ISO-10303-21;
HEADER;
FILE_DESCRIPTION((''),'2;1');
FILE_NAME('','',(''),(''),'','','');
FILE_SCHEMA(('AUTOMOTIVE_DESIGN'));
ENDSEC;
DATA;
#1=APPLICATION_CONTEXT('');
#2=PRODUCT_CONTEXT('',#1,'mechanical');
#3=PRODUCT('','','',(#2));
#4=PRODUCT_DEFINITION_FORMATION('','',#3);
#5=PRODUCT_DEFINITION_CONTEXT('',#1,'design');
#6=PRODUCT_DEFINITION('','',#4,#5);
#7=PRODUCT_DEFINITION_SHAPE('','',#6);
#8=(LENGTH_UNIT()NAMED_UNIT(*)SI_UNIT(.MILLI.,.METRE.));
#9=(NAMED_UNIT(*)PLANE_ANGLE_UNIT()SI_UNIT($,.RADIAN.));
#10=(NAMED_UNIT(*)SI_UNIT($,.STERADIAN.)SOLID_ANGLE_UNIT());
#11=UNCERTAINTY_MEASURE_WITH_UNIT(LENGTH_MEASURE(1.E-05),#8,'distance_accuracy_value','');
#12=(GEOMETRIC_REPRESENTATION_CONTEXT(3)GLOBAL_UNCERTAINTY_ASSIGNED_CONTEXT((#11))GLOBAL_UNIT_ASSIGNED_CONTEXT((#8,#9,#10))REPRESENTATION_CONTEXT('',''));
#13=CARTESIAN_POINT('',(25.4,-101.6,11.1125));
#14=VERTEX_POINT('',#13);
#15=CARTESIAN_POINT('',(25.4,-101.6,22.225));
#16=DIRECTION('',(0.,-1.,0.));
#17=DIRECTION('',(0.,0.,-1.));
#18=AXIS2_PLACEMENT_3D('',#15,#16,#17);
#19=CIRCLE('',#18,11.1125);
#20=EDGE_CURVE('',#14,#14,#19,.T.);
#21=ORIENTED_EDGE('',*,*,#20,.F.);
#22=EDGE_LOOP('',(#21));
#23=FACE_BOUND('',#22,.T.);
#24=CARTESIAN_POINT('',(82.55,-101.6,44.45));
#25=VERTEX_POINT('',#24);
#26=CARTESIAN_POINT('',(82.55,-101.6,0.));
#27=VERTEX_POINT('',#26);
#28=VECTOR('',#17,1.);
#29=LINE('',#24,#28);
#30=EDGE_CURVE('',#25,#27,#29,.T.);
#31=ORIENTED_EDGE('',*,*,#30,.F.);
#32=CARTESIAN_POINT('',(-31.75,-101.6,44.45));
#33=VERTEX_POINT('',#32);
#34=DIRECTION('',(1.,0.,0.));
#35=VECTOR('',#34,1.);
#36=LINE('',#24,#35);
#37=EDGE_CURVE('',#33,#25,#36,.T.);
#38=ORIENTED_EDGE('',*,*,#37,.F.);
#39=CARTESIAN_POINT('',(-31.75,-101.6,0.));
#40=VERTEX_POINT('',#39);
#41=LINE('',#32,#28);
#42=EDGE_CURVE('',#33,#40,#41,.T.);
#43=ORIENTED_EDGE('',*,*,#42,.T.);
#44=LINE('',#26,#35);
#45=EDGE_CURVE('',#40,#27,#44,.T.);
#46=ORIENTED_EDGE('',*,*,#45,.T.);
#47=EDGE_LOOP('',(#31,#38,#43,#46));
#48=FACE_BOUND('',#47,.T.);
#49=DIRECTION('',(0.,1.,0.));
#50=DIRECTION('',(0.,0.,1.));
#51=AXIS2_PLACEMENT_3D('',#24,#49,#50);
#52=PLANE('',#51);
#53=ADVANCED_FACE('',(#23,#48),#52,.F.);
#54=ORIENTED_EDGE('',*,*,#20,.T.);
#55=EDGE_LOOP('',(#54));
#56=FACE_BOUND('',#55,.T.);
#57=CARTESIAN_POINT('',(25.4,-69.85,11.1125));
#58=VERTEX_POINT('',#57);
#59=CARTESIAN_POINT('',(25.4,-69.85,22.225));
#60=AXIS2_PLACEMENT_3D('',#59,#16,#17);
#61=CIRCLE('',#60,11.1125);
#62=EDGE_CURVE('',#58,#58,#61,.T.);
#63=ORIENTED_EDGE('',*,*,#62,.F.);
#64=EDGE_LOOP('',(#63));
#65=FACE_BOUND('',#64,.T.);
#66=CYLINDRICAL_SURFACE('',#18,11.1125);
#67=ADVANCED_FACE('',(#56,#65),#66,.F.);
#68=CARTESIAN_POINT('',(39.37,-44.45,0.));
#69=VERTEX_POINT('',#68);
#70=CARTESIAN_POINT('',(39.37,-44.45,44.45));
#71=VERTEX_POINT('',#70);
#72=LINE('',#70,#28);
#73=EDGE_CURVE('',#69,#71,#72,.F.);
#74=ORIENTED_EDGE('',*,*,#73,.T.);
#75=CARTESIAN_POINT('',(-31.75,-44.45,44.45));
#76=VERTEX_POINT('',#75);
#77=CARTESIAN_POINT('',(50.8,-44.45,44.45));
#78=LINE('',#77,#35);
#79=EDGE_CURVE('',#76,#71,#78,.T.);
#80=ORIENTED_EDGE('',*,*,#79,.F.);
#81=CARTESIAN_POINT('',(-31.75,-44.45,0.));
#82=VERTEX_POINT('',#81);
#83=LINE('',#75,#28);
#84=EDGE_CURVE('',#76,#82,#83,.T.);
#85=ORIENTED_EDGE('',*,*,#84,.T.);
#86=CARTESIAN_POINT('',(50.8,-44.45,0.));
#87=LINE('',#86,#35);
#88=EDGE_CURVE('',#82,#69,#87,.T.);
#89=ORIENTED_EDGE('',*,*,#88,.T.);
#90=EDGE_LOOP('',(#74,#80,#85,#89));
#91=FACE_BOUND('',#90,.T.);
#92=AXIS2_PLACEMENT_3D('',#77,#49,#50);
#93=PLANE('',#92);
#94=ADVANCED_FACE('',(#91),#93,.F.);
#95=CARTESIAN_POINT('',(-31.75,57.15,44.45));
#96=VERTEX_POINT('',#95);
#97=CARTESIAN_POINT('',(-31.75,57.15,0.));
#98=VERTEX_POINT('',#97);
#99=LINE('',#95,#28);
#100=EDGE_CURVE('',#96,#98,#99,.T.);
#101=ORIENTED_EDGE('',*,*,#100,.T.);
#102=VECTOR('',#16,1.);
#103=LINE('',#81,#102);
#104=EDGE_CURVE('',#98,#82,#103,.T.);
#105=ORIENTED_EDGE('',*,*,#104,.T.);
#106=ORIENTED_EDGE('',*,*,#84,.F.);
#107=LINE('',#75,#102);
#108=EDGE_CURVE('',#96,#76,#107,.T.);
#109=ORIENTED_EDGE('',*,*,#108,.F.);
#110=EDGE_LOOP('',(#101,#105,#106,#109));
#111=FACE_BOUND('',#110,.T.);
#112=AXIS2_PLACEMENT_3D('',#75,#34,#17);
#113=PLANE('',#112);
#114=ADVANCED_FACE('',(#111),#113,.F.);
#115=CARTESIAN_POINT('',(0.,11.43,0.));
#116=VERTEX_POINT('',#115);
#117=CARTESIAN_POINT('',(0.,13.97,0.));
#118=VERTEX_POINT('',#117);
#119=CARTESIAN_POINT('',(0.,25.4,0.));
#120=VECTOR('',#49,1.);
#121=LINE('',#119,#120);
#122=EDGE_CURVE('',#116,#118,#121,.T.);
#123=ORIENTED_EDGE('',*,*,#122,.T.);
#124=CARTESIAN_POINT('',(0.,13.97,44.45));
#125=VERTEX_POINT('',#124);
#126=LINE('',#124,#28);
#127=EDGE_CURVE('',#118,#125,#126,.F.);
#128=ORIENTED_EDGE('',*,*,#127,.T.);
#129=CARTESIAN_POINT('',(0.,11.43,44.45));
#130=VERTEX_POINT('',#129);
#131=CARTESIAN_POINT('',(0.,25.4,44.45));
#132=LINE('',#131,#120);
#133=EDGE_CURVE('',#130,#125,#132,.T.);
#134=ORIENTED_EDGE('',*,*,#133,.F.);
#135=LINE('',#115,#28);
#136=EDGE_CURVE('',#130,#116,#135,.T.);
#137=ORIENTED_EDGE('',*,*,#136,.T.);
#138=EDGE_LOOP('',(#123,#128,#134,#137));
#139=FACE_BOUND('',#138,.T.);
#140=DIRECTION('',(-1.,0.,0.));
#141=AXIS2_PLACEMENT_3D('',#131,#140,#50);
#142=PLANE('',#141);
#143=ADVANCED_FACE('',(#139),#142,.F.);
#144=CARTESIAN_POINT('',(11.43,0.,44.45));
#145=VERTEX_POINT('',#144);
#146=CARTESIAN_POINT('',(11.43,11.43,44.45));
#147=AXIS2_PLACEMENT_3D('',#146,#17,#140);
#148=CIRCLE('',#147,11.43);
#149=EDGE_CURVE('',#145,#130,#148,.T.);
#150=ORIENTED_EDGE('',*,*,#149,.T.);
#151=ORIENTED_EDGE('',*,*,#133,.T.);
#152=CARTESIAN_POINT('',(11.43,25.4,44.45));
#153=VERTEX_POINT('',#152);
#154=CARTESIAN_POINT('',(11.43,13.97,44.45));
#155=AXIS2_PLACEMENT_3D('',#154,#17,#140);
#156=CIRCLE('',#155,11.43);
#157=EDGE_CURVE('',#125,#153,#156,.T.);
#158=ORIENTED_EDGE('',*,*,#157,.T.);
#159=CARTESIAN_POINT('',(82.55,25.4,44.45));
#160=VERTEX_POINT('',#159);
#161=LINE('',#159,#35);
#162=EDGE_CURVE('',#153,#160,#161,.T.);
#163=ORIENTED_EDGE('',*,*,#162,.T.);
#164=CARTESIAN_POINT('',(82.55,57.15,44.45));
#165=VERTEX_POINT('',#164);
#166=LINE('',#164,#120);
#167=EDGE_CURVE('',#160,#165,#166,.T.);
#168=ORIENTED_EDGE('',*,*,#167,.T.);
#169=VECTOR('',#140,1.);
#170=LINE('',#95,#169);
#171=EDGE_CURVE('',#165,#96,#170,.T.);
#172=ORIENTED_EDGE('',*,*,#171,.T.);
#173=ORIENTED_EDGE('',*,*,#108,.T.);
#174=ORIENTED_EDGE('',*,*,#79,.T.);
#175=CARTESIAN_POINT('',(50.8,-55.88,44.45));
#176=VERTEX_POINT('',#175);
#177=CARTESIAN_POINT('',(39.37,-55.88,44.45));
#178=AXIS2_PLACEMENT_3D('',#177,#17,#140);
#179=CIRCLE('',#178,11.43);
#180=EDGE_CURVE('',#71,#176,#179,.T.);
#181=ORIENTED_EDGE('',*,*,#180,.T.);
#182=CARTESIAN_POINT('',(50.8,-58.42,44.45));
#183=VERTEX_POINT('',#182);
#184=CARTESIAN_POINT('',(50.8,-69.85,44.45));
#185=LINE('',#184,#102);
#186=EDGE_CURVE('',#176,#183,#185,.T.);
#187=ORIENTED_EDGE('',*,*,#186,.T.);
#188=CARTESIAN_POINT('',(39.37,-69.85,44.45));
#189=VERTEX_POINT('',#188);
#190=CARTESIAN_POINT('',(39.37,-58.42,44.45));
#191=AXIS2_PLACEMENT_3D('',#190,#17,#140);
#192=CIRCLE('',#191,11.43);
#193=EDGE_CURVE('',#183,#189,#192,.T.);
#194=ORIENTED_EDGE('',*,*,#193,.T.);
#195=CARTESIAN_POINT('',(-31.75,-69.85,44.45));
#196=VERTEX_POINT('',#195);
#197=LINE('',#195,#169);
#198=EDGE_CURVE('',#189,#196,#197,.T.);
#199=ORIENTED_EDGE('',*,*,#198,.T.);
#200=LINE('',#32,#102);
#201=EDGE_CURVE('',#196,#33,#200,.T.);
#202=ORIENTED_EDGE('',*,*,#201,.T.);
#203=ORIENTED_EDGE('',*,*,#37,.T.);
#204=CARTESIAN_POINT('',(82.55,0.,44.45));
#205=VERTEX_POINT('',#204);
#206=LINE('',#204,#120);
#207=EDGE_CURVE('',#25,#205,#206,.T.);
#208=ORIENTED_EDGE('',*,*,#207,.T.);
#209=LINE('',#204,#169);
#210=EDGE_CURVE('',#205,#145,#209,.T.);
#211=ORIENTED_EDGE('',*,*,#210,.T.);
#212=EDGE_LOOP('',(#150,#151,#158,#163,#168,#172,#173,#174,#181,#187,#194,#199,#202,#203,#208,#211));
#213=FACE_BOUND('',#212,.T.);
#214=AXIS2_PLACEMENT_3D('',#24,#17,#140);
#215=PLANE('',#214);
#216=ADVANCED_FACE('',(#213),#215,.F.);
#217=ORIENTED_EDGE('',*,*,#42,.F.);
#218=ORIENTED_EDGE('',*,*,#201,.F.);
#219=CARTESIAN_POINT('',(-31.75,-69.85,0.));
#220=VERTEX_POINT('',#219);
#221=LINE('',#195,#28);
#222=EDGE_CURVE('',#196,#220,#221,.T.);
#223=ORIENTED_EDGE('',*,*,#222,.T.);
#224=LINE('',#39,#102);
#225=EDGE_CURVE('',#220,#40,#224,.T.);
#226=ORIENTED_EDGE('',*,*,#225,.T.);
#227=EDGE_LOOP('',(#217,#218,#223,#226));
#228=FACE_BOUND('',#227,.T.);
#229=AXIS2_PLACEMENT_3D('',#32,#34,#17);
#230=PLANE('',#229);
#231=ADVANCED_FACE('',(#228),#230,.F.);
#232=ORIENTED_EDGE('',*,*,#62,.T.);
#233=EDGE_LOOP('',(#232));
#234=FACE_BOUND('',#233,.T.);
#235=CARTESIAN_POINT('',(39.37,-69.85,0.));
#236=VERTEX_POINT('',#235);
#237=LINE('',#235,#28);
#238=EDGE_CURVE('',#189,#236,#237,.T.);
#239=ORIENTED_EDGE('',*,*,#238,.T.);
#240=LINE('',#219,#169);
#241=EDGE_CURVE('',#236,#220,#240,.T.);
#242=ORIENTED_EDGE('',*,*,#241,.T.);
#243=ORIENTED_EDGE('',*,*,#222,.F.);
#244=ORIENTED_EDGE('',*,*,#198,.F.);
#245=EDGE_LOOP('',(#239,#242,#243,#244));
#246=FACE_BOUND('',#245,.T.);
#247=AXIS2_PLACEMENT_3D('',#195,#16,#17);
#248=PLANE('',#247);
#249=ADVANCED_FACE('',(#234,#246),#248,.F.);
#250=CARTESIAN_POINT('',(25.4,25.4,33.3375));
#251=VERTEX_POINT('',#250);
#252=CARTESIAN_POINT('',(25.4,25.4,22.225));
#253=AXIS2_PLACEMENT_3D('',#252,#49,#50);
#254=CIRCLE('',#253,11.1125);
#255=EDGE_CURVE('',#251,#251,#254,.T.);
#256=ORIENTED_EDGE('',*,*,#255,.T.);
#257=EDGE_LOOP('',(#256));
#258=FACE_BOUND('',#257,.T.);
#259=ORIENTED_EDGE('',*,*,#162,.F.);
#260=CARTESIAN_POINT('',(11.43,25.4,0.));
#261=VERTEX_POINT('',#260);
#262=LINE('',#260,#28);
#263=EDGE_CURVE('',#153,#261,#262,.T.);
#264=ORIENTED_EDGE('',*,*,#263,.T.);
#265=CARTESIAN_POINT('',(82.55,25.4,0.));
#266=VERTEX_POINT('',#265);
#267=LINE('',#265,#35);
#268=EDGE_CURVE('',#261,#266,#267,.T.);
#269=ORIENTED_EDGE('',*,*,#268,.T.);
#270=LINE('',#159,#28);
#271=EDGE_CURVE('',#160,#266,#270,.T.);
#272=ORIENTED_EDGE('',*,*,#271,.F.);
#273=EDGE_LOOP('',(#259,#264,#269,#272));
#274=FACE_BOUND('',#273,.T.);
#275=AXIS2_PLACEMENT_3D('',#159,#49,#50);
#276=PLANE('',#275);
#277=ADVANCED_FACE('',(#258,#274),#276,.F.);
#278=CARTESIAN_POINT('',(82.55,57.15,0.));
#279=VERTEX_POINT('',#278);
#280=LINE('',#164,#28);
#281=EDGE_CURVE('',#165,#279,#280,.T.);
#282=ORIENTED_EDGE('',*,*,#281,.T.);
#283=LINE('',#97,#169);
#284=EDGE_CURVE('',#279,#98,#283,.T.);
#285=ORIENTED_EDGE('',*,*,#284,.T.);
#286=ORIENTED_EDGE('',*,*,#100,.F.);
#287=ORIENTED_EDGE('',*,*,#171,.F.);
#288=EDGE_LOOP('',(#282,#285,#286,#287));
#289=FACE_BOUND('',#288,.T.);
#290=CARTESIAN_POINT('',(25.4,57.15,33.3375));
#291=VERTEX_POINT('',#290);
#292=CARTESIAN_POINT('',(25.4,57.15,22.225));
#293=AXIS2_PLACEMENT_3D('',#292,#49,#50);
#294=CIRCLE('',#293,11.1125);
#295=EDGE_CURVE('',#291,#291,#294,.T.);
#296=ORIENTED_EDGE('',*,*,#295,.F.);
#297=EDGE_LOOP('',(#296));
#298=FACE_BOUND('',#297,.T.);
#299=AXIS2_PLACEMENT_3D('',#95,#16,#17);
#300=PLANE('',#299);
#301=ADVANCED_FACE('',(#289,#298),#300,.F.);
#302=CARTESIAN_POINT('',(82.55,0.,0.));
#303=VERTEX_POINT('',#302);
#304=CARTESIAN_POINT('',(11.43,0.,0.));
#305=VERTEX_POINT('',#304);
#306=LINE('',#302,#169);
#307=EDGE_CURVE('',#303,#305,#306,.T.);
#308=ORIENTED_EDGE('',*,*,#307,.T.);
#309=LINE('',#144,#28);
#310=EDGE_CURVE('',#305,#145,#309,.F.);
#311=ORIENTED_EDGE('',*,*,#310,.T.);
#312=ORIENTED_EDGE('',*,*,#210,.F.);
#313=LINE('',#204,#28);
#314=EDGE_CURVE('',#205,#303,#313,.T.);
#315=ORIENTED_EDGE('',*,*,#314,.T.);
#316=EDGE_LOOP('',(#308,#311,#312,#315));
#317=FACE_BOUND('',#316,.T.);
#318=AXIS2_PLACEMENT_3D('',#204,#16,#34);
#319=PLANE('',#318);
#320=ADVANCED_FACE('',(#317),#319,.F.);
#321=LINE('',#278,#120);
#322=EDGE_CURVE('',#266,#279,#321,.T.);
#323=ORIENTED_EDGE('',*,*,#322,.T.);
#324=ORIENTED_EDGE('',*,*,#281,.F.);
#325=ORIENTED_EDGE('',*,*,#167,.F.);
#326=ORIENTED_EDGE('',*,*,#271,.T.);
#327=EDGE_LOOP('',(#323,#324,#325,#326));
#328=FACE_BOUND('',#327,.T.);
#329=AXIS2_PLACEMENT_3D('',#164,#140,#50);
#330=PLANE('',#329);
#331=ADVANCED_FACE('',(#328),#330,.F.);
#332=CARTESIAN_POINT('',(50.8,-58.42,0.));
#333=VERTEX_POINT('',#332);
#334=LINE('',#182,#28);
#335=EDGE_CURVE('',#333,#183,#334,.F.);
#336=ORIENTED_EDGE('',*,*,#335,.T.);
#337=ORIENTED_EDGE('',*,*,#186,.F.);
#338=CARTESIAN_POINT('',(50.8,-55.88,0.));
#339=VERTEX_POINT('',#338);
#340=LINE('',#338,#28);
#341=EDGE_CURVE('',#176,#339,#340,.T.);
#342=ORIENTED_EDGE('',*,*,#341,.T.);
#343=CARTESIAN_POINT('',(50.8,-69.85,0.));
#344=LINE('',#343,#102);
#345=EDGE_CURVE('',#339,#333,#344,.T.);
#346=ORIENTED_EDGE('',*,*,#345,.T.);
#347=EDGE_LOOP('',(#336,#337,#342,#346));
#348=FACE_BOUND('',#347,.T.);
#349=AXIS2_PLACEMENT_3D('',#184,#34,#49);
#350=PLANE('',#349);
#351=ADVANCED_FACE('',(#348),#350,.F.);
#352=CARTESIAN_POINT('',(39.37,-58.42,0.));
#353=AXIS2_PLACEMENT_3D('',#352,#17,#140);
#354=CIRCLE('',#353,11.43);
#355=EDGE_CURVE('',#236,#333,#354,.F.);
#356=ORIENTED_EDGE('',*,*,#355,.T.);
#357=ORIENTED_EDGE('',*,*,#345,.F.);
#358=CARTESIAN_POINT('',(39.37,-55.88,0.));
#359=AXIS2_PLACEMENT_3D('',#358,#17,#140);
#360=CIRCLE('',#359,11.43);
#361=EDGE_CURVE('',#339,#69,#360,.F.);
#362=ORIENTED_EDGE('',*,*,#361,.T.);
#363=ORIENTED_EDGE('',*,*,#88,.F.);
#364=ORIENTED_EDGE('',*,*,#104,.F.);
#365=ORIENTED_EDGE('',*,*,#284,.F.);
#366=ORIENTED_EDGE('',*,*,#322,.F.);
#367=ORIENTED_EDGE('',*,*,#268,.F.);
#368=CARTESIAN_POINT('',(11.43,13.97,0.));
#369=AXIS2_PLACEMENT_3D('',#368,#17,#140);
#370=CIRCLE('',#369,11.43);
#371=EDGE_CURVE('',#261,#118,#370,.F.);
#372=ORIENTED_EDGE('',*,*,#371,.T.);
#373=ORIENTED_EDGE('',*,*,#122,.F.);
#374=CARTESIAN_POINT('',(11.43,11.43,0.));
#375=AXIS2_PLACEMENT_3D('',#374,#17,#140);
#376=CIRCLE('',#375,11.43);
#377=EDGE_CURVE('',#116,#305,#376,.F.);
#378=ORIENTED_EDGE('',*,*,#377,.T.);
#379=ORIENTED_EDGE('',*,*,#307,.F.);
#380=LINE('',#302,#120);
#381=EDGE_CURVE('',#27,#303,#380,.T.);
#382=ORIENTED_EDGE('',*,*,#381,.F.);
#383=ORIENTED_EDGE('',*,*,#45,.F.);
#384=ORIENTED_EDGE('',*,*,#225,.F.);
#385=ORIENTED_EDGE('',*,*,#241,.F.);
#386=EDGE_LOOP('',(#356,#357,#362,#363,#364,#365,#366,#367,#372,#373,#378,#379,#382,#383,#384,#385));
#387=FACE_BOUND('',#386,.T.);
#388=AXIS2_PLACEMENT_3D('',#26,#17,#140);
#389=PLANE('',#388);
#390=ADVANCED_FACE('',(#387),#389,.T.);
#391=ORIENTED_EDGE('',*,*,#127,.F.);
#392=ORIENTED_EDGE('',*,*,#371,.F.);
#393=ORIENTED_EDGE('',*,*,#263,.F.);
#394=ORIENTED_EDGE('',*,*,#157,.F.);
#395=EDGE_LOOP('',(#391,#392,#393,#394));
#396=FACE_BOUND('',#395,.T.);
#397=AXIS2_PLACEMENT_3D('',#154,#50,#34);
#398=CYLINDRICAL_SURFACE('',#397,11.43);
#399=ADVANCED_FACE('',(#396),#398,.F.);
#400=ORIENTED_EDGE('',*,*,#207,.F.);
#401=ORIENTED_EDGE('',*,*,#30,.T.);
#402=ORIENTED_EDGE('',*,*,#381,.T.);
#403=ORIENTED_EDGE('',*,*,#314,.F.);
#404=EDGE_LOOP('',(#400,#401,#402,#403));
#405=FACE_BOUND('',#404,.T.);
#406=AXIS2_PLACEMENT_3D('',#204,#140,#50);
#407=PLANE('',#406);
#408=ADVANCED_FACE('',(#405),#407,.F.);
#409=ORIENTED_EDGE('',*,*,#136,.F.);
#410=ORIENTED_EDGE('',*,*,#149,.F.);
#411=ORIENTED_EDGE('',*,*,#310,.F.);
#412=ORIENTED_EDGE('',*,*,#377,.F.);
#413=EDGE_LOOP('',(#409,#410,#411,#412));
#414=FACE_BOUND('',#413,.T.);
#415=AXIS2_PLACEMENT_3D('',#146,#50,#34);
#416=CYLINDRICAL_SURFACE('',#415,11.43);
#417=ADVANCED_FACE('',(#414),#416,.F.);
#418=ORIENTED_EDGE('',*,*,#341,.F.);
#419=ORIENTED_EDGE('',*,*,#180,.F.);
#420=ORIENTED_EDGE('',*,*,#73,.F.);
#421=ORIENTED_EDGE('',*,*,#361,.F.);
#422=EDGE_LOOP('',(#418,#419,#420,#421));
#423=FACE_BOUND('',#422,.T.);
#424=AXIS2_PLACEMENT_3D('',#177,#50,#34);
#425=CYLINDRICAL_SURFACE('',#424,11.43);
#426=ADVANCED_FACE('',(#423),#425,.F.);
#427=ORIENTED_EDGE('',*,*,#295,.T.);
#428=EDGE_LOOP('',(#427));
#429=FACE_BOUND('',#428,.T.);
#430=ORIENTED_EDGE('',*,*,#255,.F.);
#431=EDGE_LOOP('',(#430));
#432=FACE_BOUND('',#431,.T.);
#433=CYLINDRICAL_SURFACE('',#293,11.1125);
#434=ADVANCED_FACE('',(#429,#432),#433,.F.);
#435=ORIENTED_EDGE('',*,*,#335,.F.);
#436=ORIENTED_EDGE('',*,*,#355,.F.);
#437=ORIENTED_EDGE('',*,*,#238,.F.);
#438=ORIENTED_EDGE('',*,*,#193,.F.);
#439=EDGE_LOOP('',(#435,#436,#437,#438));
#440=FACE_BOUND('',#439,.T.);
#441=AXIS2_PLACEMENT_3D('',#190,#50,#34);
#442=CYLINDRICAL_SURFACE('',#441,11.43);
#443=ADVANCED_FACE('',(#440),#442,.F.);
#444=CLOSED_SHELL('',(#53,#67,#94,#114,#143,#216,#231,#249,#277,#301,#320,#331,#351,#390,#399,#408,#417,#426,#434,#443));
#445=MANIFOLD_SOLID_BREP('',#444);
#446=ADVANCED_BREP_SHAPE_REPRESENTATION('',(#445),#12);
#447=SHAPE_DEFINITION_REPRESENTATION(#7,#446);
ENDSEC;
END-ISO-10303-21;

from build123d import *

# Parameters (mm, degrees)
BOSS_EXTRUDE1_DEPTH      = 44.45
FILLET1_R                = 11.43
F_1_8_TAPPED_HOLE1_D     = 22.225
F_1_8_TAPPED_HOLE1_DEPTH = 31.75
F_1_8_TAPPED_HOLE2_D     = 22.225
F_1_8_TAPPED_HOLE2_DEPTH = 31.75


with BuildPart() as part:
    # Sketch1 → Boss-Extrude1 (new body)
    with BuildSketch(Plane.XY):
        Polygon((82.55, 0), (0, 0), (0, 25.4), (82.55, 25.4), (82.55, 57.15), (-31.75, 57.15), (-31.75, -44.45), (50.8, -44.45), (50.8, -69.85), (-31.75, -69.85), (-31.75, -101.6), (82.55, -101.6), align=None)
    extrude(amount=BOSS_EXTRUDE1_DEPTH)

    # Fillet1
    fillet1_edges = [part.edges().sort_by_distance(p)[0] for p in [
        (50.8, -69.85, 22.225),
        (50.8, -44.45, 22.225),
        (0, 25.4, 22.225),
        (0, 0, 22.225),
    ]]
    fillet(fillet1_edges, radius=FILLET1_R)

    # 1-8 Tapped Hole1
    with Locations(Plane.XZ.offset(101.6)):
        with Locations((25.4, 22.225)):
            Hole(F_1_8_TAPPED_HOLE1_D / 2, depth=F_1_8_TAPPED_HOLE1_DEPTH)

    # 1-8 Tapped Hole2
    with Locations(Plane(origin=(0, 57.15, 0), x_dir=(-1, 0, 0), z_dir=(0, 1, 0))):
        with Locations((-25.4, 22.225)):
            Hole(F_1_8_TAPPED_HOLE2_D / 2, depth=F_1_8_TAPPED_HOLE2_DEPTH)


solid = part.part
